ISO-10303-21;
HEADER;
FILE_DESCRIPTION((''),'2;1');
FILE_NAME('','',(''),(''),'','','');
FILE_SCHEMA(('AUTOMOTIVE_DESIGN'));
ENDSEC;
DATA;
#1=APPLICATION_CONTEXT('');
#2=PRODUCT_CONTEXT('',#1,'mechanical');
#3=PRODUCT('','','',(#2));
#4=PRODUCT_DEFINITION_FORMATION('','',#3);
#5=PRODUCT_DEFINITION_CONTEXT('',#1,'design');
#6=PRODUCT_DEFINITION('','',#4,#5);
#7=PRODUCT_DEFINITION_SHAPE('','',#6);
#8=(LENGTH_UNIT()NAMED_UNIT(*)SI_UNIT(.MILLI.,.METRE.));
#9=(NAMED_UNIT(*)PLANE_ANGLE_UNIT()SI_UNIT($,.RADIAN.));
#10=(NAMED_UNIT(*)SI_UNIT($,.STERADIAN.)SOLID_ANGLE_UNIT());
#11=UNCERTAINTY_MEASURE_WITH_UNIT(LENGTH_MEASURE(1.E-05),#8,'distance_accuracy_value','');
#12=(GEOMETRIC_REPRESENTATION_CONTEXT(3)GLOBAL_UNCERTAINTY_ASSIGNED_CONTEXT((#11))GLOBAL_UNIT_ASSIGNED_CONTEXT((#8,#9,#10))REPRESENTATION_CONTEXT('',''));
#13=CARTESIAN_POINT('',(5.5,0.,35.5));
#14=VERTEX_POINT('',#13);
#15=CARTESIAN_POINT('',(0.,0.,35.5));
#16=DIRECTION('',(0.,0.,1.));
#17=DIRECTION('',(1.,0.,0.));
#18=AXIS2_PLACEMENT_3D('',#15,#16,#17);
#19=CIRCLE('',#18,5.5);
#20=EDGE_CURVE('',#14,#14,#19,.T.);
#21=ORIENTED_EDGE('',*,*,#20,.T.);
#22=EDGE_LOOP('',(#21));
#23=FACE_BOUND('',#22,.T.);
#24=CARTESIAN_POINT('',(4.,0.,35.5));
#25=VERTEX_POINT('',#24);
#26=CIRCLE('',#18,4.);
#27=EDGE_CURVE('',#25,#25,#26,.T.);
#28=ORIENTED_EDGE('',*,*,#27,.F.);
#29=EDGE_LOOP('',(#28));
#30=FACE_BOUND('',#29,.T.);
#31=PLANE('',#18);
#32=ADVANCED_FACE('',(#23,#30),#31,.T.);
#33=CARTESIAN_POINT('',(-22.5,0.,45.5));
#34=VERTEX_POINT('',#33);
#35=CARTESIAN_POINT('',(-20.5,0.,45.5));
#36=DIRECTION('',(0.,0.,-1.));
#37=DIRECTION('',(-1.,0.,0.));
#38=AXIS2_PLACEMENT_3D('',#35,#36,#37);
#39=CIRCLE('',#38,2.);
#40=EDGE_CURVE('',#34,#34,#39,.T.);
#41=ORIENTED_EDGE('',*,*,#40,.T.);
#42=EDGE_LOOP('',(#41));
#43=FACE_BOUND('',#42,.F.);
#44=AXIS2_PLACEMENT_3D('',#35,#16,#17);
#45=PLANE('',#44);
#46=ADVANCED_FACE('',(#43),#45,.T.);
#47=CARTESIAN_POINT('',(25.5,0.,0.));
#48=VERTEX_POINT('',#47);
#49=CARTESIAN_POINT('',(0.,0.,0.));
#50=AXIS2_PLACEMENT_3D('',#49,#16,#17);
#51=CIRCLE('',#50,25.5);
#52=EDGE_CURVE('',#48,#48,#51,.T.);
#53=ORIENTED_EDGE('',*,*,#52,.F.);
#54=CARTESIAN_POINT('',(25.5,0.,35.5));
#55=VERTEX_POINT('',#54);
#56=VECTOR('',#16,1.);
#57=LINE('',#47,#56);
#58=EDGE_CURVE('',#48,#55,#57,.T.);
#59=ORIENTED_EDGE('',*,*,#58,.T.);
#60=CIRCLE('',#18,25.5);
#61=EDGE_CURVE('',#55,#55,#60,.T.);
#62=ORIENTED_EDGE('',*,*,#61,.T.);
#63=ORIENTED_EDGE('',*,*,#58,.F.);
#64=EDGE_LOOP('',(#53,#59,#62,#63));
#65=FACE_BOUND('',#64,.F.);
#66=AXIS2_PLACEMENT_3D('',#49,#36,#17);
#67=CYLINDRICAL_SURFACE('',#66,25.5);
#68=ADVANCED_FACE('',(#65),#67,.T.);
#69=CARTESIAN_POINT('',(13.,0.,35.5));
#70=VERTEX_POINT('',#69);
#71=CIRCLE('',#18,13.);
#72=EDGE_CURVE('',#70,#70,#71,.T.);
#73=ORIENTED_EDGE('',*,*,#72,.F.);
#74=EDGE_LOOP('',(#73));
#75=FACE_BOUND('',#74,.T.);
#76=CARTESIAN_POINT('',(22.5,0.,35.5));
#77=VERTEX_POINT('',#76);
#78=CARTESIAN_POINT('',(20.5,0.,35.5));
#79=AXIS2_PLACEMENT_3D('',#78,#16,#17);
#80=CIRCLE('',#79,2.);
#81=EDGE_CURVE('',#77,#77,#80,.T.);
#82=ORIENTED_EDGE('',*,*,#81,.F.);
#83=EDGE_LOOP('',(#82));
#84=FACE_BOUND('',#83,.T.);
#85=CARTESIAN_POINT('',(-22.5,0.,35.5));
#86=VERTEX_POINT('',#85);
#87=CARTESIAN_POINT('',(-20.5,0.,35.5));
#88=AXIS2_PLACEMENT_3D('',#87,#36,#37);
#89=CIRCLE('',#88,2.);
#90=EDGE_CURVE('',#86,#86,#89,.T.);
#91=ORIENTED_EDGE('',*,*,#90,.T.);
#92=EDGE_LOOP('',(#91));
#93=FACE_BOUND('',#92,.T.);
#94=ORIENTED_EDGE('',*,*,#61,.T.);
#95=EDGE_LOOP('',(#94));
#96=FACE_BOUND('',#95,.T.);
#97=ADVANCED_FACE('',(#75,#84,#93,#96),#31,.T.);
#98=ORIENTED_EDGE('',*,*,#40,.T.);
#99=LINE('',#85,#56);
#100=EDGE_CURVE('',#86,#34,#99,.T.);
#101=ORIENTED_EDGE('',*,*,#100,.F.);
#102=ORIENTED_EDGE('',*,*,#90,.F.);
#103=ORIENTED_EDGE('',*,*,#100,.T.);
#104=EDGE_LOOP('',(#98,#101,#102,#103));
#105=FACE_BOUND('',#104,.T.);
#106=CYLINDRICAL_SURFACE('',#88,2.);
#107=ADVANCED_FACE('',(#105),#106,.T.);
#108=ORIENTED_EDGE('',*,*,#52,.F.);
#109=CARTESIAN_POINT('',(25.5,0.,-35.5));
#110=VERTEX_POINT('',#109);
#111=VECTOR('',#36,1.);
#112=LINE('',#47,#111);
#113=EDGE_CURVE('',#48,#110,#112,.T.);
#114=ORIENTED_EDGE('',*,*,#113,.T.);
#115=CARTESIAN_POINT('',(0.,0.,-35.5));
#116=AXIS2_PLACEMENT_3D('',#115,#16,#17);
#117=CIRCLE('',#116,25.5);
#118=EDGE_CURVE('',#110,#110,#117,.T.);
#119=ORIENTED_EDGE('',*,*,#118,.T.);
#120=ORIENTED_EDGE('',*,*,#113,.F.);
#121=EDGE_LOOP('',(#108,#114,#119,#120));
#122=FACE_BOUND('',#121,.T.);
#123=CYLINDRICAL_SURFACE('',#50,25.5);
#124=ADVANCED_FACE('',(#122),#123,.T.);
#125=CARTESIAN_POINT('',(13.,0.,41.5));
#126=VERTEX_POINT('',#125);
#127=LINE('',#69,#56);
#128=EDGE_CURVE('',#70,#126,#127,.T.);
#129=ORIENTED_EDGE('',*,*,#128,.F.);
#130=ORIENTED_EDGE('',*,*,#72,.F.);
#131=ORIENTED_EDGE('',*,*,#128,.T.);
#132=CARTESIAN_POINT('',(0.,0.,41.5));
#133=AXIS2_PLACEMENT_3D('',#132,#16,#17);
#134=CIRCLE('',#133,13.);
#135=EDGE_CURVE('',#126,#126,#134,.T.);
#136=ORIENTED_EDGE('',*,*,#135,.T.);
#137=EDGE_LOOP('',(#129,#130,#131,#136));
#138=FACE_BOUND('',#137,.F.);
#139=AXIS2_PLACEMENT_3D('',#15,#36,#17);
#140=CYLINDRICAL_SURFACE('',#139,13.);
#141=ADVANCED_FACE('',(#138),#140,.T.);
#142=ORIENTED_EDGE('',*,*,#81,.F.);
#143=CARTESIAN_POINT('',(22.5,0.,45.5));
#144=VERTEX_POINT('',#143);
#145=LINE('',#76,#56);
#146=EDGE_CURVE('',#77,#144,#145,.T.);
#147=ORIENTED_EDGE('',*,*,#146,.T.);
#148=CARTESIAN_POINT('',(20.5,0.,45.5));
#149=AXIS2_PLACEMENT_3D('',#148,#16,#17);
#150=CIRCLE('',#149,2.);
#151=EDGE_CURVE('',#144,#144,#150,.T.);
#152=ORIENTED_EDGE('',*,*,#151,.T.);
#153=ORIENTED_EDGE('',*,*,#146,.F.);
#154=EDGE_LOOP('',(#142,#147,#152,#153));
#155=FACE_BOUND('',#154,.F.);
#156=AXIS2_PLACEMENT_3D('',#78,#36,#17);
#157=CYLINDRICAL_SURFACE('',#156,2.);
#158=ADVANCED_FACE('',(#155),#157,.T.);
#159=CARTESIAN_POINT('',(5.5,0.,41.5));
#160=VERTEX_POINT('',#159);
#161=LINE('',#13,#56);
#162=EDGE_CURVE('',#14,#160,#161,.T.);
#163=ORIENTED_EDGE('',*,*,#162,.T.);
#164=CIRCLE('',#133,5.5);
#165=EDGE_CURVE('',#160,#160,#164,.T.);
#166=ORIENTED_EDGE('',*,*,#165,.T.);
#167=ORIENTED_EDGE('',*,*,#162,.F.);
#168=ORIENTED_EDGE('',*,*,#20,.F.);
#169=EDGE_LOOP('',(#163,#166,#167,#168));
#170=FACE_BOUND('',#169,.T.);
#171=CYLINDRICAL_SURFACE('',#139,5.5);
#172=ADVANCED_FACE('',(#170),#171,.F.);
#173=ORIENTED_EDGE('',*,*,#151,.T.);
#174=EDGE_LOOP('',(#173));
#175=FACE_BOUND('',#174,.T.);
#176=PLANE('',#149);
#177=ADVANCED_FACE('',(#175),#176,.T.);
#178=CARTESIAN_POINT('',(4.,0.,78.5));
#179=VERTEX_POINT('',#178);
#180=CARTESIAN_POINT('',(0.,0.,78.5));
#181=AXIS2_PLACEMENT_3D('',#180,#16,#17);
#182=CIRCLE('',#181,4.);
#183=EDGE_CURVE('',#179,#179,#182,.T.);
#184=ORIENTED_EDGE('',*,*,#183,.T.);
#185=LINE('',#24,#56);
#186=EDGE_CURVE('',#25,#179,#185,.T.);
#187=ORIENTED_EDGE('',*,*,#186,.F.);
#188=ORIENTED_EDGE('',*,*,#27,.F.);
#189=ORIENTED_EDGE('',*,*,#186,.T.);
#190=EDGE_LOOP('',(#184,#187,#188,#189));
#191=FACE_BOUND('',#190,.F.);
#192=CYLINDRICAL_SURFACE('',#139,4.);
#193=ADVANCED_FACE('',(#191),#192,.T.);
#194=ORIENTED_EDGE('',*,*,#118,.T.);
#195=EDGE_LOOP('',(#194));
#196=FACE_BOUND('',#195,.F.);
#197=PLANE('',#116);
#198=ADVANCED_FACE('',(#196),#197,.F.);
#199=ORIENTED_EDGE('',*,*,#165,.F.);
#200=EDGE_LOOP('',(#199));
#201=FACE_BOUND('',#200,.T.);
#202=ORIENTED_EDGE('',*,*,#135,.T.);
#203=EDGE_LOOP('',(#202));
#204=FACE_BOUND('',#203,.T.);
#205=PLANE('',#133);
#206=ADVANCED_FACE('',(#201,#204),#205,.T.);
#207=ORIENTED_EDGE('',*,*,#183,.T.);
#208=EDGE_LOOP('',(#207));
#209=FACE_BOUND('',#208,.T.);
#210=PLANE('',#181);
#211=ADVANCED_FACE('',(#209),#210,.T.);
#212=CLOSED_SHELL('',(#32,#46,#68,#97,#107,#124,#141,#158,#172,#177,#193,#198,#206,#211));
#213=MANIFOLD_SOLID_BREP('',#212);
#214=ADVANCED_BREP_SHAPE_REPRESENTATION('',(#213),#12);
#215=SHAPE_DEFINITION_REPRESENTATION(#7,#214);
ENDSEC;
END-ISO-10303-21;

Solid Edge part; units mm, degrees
sketch "Sketch1" plane through (0, 0, 0) normal (0, 0, 1) x (1, 0, 0)
  circle A0 centre (0, 0) radius 25.5
  dimension "D1" = 51
extrude "Ajout_matière_1" add sketch "Sketch1" along normal mid plane 71
sketch "Sketch2" plane through (0, 0, 35.5) normal (0, 0, 1) x (1, 0, 0)
  circle A0 centre (0, 0) radius 13
  circle A1 centre (0, 0) radius 5.5
  dimension "D1" = 26
  dimension "D2" = 11
extrude "Ajout_matière_2" add sketch "Sketch2" along normal blind 6
sketch "Sketch3" plane through (0, 0, 35.5) normal (0, 0, 1) x (1, 0, 0)
  circle A0 centre (20.5, 0) radius 2
  dimension "D1" = 4
  dimension "D2" = 20.5
extrude "Ajout_matière_3" add sketch "Sketch3" along normal blind 10
mirror "Mirror1" about plane through (0, 0, 0) normal (1, 0, 0) of "Ajout_matière_3"
sketch "Sketch4" plane through (0, 0, 35.5) normal (0, 0, 1) x (1, 0, 0)
  circle A0 centre (0, 0) radius 4
  dimension "D1" = 8
extrude "Ajout_matière_5" add sketch "Sketch4" along normal blind 43
cosmetic_thread "Filetage_1" size "M8" thread depth 13
cosmetic_thread "Thread1" size "M4"
cosmetic_thread "Thread2" size "M4"
properties material "Acier S235"
